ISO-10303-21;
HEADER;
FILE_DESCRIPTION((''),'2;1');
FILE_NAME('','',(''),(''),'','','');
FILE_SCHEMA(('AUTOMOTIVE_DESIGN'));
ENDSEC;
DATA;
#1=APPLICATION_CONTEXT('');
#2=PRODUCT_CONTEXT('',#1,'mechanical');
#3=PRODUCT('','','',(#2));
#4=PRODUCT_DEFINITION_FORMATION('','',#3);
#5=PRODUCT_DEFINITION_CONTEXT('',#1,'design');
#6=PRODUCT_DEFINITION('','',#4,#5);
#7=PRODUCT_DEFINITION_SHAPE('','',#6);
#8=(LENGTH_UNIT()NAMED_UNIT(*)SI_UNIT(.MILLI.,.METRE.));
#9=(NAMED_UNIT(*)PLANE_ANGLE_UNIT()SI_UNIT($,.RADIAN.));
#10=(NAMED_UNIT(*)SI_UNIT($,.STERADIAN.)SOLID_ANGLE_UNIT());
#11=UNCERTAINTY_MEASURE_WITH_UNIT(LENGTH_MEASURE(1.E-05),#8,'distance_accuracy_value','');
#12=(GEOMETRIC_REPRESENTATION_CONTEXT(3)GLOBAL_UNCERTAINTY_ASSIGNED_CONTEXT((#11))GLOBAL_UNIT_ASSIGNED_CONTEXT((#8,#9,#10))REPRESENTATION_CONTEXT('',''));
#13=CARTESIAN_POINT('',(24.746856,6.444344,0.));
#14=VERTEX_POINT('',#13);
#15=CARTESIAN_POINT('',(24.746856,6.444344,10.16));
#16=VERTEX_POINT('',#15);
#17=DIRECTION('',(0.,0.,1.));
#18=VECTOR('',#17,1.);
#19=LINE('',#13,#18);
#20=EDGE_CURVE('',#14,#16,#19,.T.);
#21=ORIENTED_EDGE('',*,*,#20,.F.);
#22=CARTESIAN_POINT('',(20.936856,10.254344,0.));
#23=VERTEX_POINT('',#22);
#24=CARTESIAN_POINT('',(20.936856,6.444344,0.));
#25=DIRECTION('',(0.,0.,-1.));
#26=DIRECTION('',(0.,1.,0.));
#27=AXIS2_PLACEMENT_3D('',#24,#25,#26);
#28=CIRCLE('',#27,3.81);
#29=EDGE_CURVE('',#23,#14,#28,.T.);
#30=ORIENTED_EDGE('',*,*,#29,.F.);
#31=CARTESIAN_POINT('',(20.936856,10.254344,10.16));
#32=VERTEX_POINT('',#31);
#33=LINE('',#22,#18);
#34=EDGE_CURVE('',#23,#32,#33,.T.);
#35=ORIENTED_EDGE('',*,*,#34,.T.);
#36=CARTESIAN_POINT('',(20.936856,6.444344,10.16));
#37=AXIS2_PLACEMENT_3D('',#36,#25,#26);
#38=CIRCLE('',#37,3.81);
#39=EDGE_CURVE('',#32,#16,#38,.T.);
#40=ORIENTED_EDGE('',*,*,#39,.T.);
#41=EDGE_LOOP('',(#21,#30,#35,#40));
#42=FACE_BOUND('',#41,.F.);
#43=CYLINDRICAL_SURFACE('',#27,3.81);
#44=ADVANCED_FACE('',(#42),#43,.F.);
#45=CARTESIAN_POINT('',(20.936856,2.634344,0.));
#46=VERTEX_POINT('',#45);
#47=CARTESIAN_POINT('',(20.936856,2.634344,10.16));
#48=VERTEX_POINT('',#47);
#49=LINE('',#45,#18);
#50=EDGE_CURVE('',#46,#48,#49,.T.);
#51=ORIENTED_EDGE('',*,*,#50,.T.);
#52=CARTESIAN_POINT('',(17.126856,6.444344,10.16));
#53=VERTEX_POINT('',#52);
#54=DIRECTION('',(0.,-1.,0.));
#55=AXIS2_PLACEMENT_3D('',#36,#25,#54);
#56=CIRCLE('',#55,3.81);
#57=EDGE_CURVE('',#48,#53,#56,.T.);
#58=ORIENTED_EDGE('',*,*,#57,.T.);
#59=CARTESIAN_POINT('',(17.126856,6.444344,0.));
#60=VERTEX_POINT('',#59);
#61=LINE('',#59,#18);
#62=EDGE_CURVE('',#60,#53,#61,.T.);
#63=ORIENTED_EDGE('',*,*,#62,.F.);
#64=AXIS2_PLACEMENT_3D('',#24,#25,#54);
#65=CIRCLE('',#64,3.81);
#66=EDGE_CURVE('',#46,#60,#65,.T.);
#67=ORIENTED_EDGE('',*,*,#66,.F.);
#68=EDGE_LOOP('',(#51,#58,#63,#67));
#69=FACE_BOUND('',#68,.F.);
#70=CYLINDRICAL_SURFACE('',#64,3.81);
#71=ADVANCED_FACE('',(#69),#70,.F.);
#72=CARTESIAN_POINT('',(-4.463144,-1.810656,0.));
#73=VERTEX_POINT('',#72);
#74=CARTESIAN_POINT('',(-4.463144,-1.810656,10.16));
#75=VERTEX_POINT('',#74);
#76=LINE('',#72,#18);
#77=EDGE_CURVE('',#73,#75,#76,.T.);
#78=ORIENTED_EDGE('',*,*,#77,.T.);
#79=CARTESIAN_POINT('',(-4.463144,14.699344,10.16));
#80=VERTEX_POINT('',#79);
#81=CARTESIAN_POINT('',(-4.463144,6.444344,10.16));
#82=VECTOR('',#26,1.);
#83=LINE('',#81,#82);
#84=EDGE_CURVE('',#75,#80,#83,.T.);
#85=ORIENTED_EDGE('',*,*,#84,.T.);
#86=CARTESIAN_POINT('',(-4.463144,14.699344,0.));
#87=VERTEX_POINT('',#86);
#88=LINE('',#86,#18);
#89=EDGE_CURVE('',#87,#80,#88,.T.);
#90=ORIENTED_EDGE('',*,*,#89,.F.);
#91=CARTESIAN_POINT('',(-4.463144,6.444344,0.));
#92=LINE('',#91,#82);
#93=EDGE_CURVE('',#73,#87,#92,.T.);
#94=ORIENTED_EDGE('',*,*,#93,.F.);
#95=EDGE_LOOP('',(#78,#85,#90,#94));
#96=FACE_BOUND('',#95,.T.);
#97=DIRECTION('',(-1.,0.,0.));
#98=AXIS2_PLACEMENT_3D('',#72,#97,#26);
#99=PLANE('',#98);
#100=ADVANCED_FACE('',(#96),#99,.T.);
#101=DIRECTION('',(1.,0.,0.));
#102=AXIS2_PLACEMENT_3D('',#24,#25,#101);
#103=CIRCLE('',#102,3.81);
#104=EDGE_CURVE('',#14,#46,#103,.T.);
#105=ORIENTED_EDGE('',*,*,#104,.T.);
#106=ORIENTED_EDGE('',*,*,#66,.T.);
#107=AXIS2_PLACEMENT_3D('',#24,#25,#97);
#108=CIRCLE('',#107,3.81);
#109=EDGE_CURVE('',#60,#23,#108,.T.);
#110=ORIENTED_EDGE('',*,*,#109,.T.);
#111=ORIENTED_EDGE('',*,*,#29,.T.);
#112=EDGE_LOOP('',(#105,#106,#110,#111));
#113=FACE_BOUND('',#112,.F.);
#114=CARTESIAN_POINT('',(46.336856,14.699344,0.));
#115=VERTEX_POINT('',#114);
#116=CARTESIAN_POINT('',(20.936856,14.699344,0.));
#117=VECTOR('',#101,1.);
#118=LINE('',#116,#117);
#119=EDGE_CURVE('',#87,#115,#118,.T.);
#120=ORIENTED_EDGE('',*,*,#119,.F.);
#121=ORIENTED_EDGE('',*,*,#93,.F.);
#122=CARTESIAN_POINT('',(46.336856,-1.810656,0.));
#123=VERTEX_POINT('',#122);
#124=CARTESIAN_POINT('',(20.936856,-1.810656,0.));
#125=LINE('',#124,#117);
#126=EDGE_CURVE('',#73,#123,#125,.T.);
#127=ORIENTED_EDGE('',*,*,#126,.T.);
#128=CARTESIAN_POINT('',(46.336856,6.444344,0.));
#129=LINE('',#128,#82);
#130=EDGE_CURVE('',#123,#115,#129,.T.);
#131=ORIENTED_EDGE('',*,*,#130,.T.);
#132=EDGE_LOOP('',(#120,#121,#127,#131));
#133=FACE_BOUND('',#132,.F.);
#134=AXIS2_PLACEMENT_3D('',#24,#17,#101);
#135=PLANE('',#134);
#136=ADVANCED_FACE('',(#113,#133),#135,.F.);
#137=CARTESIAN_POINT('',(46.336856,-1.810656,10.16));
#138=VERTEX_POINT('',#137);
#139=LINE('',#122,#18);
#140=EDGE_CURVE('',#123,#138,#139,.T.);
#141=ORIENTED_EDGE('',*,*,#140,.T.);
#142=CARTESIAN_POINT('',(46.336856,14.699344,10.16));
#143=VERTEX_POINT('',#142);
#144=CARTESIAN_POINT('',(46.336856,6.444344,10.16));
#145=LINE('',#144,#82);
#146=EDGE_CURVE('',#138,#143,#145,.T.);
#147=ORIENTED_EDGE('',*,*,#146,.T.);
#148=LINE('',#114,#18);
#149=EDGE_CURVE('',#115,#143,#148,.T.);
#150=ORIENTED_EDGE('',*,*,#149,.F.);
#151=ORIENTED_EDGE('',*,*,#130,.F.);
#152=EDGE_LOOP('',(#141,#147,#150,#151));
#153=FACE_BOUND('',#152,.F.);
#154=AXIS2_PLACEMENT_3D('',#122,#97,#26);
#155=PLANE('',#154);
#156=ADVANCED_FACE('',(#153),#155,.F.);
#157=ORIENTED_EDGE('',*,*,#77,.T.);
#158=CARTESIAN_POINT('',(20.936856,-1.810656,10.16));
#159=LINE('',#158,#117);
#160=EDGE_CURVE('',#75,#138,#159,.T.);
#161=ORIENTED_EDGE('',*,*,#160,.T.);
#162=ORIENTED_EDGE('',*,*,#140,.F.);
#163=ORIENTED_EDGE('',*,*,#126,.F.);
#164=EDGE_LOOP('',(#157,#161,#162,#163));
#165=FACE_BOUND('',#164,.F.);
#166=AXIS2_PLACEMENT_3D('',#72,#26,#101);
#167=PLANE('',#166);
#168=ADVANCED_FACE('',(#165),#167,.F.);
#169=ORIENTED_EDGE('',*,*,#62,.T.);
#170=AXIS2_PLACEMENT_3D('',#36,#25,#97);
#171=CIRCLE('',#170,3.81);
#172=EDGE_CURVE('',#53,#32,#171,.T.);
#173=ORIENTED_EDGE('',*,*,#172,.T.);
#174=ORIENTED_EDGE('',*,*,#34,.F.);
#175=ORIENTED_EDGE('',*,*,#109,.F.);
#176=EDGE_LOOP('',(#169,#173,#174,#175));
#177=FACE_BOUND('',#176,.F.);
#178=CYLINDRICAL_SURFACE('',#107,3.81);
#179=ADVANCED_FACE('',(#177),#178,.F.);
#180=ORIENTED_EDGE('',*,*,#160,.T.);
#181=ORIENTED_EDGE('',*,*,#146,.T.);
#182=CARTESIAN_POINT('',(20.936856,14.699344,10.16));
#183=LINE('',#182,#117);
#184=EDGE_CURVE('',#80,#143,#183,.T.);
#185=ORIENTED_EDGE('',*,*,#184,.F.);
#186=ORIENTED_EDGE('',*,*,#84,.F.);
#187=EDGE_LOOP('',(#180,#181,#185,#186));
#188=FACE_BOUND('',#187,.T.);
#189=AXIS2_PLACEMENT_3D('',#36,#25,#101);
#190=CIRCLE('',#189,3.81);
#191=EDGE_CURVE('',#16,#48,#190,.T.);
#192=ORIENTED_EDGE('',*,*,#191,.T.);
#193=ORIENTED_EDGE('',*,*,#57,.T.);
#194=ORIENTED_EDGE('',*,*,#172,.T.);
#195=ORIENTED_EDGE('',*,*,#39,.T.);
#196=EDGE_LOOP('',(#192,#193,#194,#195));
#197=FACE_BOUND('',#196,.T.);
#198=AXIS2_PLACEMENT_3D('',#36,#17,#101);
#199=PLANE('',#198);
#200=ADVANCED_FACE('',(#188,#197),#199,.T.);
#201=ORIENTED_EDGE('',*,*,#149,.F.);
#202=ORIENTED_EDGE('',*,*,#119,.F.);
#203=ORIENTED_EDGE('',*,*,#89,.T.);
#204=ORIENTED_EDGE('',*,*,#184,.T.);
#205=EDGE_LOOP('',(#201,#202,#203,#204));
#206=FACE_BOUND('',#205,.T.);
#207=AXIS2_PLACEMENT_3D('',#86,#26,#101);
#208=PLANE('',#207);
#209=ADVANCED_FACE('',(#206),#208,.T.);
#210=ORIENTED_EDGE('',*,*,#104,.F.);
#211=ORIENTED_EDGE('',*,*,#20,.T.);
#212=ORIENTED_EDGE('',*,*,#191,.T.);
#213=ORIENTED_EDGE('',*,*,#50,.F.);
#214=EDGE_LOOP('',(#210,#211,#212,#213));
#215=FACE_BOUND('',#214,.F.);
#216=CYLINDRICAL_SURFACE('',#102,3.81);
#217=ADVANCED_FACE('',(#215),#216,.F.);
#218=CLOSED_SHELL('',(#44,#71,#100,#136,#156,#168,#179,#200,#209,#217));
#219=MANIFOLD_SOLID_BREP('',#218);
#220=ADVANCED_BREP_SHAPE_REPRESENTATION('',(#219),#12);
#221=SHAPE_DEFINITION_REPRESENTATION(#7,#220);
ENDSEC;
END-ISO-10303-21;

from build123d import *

# Parameters (mm, degrees)
F0_W     = 50.8
F0_H     = 16.51
F1_DEPTH = 10.16
F3_DEPTH = 25.4


with BuildPart() as f1:
    # F0 (on Top) → F1 (new body)
    with BuildSketch(Plane.XY):
        with Locations((20.9368563824, 6.4443439901)):
            Rectangle(F0_W, F0_H)
    extrude(amount=F1_DEPTH)

    # F2 (on face) → F3 (cut)
    with BuildSketch(Plane(origin=(0, 0, 0), x_dir=(1, 0, 0), z_dir=(0, 0, -1))):
        with BuildLine():
            Line((17.1268563824, -6.4443439901), (20.9368563824, -6.4443439901))
            Line((20.9368563824, -6.4443439901), (20.9368563824, -2.6343439901))
            ThreePointArc((20.9368563824, -2.6343439901), (18.242779546, -3.7502671537), (17.1268563824, -6.4443439901))
        make_face()
        with BuildLine():
            Line((20.9368563824, -6.4443439901), (24.7468563824, -6.4443439901))
            ThreePointArc((24.7468563824, -6.4443439901), (23.6309332187, -3.7502671537), (20.9368563824, -2.6343439901))
            Line((20.9368563824, -2.6343439901), (20.9368563824, -6.4443439901))
        make_face()
        with BuildLine():
            Line((20.9368563824, -10.2543439901), (20.9368563824, -6.4443439901))
            Line((20.9368563824, -6.4443439901), (17.1268563824, -6.4443439901))
            ThreePointArc((17.1268563824, -6.4443439901), (18.242779546, -9.1384208264), (20.9368563824, -10.2543439901))
        make_face()
        with BuildLine():
            ThreePointArc((20.9368563824, -10.2543439901), (23.6309332187, -9.1384208264), (24.7468563824, -6.4443439901))
            Line((24.7468563824, -6.4443439901), (20.9368563824, -6.4443439901))
            Line((20.9368563824, -6.4443439901), (20.9368563824, -10.2543439901))
        make_face()
    extrude(amount=-F3_DEPTH, mode=Mode.SUBTRACT)


solid = f1.part
